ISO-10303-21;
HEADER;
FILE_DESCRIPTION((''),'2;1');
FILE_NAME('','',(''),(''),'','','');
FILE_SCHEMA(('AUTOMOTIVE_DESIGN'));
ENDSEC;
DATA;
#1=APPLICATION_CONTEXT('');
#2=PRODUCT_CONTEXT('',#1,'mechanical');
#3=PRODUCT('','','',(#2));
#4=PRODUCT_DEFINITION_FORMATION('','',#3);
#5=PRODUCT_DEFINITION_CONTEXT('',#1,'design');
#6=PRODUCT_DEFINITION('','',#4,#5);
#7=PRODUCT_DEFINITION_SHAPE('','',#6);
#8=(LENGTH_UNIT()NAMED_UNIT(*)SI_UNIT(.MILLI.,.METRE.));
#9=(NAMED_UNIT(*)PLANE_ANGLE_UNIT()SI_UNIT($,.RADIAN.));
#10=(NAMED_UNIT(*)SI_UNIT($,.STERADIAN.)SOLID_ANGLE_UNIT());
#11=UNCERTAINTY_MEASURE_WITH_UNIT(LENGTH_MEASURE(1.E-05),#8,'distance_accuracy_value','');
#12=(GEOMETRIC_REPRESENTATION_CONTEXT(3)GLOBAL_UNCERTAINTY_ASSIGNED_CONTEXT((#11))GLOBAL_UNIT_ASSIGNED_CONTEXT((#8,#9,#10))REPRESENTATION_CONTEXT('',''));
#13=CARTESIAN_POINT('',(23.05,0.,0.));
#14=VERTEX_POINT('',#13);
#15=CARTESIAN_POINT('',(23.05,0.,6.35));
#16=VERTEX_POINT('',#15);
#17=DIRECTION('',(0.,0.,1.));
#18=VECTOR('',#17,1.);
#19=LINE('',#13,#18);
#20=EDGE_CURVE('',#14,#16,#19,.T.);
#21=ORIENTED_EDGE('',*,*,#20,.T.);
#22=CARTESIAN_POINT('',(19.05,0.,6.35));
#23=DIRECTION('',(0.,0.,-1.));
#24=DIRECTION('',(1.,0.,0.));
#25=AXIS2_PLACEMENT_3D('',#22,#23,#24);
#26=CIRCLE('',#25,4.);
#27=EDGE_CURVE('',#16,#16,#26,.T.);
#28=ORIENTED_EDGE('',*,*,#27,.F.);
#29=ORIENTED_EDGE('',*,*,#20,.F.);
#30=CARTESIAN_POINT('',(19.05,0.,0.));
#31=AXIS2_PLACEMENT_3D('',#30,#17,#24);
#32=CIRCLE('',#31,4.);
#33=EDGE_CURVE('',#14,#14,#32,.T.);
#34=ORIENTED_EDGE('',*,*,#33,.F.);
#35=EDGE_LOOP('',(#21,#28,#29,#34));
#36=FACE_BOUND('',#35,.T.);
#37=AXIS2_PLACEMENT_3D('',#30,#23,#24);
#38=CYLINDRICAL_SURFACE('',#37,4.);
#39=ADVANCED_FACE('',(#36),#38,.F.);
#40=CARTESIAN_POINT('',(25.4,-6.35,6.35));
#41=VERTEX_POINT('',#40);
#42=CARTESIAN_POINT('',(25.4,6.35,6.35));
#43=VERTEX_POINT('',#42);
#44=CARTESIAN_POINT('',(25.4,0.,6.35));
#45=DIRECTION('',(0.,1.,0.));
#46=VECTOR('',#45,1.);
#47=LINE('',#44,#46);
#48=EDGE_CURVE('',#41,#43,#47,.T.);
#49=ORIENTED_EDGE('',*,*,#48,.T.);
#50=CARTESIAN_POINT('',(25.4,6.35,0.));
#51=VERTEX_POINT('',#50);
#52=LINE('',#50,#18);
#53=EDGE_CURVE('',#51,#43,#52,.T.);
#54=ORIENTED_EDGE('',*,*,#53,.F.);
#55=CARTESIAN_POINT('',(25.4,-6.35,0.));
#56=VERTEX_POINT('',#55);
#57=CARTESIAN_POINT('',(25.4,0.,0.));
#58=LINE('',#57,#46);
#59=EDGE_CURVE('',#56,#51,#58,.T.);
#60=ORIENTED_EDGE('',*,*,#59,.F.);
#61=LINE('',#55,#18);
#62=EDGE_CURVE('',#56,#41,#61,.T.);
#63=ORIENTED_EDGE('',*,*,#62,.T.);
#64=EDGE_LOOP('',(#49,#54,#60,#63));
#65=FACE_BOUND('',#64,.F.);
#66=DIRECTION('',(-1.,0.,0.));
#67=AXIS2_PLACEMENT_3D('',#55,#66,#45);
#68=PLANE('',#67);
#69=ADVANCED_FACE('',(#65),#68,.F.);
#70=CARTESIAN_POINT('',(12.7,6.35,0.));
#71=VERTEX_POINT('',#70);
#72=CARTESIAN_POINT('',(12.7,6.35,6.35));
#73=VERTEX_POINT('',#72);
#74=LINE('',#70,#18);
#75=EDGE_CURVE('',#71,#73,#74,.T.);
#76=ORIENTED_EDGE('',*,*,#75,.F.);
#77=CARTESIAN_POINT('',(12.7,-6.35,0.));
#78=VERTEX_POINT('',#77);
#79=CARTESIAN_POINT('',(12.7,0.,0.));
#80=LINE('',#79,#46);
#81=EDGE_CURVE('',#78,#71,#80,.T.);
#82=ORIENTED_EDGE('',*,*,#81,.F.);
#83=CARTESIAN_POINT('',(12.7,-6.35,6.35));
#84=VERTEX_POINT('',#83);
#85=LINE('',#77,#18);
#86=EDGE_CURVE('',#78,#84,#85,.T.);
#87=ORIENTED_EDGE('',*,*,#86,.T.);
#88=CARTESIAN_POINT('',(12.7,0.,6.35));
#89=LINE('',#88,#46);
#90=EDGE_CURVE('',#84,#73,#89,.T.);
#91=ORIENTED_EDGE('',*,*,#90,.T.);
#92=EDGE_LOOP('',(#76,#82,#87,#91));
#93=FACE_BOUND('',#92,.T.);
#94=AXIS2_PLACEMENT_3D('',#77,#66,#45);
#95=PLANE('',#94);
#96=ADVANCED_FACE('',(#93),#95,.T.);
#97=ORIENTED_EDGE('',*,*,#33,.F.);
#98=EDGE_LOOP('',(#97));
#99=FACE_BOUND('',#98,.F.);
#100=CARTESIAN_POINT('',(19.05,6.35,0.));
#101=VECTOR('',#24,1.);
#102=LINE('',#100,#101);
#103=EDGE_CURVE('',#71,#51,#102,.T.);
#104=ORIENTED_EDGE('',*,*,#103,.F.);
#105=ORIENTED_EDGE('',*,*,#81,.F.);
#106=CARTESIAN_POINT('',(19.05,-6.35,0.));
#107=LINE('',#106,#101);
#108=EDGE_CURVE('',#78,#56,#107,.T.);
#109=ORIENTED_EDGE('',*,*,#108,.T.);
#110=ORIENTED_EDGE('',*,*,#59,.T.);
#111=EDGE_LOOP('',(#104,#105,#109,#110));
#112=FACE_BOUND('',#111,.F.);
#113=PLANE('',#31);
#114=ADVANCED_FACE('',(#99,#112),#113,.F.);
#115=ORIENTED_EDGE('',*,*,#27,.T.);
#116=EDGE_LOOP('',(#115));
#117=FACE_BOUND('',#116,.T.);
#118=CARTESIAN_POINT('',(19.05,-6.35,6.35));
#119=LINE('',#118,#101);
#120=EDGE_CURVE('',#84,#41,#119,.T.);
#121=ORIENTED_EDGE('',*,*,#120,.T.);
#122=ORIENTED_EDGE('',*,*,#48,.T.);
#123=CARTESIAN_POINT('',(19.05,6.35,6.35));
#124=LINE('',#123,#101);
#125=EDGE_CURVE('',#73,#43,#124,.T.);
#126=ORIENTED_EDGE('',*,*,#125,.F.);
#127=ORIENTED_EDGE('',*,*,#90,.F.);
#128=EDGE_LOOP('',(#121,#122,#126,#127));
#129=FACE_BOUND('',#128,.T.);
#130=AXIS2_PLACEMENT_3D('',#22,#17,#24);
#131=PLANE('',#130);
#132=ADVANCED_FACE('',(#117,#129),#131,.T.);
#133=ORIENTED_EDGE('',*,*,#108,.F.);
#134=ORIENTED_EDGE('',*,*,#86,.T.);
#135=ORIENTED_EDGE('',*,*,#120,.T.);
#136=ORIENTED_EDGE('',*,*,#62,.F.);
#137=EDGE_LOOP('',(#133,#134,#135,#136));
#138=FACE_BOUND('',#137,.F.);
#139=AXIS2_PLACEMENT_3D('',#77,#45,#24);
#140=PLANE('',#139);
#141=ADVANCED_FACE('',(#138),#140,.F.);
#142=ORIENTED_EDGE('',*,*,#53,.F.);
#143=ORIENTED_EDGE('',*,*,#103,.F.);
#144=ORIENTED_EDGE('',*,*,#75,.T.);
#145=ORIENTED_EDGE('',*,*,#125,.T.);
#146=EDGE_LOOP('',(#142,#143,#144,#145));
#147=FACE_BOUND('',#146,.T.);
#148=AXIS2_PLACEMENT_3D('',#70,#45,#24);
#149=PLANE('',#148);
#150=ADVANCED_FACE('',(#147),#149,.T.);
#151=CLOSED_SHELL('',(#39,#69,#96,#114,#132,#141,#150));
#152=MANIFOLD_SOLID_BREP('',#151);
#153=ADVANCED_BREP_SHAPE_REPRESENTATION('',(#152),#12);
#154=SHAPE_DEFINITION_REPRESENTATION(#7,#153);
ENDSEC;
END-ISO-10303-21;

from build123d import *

# Parameters (mm, degrees)
CYLINDER036_R     = 4
CYLINDER036_DEPTH = 10
BOX015_W          = 12.7
BOX015_H          = 12.7
BOX015_DEPTH      = 6.35


with BuildPart() as cylinder036:
    # Cylinder036 → Cylinder036 (new body)
    with BuildSketch(Plane(origin=(6.35, 6.35, 0), x_dir=(1, 0, 0), z_dir=(0, 0, 1))):
        Circle(CYLINDER036_R)
    extrude(amount=CYLINDER036_DEPTH)


with BuildPart() as m8_nut002:
    # Box015 → Box015 (new body)
    with BuildSketch(Plane.XY):
        with Locations((6.35, 6.35)):
            Rectangle(BOX015_W, BOX015_H)
    extrude(amount=BOX015_DEPTH)

    # Cut013: cut Cylinder036
    add(cylinder036.part, mode=Mode.SUBTRACT)


with BuildPart() as m8_nut002_1:
    # Cut013 placement: moved
    add(m8_nut002.part.moved(Location((12.7, -6.35, 0))))


solid = m8_nut002_1.part
